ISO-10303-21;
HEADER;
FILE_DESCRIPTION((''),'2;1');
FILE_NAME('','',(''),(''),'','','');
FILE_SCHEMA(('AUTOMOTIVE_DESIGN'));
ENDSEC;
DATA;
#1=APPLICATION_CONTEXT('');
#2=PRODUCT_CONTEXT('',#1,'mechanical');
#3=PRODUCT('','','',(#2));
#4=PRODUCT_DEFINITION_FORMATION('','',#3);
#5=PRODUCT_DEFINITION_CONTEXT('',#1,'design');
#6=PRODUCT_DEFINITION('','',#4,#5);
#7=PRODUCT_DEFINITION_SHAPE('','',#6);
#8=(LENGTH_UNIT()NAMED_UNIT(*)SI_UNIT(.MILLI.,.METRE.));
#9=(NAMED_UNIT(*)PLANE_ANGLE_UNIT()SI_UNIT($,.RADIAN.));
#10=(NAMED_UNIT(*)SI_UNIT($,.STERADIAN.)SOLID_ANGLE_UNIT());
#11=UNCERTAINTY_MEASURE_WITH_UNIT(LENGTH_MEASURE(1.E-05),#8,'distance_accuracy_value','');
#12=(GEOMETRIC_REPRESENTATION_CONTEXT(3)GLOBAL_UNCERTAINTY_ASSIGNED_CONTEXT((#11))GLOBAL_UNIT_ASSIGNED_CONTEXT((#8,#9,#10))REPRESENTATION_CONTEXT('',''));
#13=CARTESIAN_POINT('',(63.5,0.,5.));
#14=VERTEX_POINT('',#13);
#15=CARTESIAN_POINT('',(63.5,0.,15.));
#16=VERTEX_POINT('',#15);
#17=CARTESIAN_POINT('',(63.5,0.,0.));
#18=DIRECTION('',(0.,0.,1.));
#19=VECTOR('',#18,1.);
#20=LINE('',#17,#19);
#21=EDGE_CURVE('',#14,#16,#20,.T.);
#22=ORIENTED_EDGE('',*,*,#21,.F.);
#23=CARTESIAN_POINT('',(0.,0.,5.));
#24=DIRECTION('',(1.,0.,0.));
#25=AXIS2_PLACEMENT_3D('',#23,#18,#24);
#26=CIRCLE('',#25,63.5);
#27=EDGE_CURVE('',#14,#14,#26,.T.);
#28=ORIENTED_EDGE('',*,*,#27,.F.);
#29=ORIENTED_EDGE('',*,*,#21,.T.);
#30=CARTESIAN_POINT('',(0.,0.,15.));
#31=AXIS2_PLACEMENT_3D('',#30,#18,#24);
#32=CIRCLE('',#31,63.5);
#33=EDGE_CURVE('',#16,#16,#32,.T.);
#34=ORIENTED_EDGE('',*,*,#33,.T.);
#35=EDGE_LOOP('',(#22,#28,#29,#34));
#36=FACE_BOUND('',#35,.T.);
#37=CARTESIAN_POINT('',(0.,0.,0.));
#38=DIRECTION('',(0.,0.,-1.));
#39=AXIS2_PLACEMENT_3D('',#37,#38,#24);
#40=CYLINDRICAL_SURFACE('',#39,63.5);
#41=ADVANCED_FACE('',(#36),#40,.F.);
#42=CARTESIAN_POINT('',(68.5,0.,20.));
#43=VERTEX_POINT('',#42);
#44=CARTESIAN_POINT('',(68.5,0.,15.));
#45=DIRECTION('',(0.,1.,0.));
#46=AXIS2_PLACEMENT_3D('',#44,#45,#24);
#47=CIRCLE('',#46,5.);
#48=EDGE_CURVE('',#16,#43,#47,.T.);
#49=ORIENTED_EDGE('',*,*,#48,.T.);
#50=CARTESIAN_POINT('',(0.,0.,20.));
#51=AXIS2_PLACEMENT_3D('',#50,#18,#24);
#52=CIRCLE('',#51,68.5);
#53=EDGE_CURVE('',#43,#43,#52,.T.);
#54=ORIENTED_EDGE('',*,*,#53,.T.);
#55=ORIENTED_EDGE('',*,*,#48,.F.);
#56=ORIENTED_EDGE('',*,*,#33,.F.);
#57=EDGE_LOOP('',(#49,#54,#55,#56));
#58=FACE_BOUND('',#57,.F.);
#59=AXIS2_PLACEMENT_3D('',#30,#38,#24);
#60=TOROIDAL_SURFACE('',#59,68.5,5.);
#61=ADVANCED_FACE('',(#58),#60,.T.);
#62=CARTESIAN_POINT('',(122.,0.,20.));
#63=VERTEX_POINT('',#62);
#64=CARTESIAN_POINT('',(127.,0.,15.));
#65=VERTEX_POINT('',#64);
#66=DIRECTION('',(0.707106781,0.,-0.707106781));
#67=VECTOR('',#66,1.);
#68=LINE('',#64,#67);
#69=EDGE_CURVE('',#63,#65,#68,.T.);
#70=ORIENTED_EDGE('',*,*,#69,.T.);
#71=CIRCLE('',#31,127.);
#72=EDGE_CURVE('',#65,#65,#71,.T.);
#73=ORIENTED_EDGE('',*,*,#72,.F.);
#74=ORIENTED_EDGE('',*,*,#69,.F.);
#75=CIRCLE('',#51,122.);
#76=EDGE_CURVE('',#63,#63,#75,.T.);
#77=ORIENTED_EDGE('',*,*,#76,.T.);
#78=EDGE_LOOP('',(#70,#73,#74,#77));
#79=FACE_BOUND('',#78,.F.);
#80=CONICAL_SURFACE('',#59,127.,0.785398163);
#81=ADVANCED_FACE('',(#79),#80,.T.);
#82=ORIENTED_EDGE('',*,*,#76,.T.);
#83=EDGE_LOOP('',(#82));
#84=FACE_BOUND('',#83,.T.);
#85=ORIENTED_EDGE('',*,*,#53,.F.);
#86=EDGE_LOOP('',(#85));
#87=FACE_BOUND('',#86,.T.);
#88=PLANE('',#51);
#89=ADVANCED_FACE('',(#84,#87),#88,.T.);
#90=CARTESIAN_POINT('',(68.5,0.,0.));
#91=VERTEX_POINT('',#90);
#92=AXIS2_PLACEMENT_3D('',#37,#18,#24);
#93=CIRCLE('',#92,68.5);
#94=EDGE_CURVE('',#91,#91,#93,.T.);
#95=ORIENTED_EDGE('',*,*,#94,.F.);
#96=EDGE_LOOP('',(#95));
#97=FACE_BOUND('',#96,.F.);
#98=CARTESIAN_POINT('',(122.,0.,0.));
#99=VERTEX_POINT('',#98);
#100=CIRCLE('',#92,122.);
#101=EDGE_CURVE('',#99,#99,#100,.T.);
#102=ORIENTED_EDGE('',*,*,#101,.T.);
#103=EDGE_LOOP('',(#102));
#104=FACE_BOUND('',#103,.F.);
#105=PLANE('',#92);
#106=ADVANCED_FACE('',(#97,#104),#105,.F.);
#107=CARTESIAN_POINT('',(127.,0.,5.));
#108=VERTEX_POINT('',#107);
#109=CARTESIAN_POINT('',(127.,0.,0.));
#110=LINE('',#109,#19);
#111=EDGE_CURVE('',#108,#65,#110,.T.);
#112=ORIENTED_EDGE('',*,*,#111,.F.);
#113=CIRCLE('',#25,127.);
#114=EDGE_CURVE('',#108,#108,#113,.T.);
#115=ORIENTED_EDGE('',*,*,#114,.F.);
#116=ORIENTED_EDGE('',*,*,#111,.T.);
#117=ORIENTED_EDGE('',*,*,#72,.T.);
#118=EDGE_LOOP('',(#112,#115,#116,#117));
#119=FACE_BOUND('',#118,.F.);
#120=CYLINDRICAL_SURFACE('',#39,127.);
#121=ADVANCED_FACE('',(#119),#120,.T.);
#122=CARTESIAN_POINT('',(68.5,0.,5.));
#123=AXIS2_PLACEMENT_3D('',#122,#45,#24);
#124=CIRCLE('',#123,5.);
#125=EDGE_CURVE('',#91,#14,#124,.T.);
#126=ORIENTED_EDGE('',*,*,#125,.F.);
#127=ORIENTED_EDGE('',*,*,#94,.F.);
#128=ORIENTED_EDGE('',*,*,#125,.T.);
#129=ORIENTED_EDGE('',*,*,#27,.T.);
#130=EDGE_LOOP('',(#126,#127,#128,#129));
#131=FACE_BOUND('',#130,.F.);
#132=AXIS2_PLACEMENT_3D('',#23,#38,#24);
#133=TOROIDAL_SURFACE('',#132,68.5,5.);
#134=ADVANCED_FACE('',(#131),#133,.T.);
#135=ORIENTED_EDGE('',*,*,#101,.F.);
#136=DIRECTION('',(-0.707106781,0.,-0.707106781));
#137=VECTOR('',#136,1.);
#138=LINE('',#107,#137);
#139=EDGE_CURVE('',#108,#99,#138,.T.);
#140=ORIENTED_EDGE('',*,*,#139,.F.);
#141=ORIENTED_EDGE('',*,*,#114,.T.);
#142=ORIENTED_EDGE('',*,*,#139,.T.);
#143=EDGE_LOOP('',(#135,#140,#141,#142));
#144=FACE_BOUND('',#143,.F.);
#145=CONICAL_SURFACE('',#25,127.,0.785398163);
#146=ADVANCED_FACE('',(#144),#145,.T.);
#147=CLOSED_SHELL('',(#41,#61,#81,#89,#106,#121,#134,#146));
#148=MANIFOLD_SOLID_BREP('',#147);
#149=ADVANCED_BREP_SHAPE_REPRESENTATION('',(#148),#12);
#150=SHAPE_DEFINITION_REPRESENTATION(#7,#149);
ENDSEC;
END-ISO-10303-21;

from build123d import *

# Parameters (mm, degrees)
F0_R     = 127
F0_R_2   = 63.5
F1_DEPTH = 20
F2_R     = 5
F3_SIZE  = 5
F4_SIZE  = 5
F5_R     = 5


with BuildPart() as f1:
    # F0 (on Top) → F1 (new body)
    with BuildSketch(Plane.XY):
        Circle(F0_R)
        Circle(F0_R_2, mode=Mode.SUBTRACT)
    extrude(amount=F1_DEPTH)

    # F2
    f2_edges = [f1.edges().sort_by_distance(p)[0] for p in [
        (-63.5, 0, 20),
    ]]
    fillet(f2_edges, radius=F2_R)

    # F3
    f3_edges = [f1.edges().sort_by_distance(p)[0] for p in [
        (-127, 0, 20),
    ]]
    chamfer(f3_edges, length=F3_SIZE)

    # F4
    f4_edges = [f1.edges().sort_by_distance(p)[0] for p in [
        (-127, 0, 0),
    ]]
    chamfer(f4_edges, length=F4_SIZE)

    # F5
    f5_edges = [f1.edges().sort_by_distance(p)[0] for p in [
        (-63.5, 0, 0),
    ]]
    fillet(f5_edges, radius=F5_R)


solid = f1.part
